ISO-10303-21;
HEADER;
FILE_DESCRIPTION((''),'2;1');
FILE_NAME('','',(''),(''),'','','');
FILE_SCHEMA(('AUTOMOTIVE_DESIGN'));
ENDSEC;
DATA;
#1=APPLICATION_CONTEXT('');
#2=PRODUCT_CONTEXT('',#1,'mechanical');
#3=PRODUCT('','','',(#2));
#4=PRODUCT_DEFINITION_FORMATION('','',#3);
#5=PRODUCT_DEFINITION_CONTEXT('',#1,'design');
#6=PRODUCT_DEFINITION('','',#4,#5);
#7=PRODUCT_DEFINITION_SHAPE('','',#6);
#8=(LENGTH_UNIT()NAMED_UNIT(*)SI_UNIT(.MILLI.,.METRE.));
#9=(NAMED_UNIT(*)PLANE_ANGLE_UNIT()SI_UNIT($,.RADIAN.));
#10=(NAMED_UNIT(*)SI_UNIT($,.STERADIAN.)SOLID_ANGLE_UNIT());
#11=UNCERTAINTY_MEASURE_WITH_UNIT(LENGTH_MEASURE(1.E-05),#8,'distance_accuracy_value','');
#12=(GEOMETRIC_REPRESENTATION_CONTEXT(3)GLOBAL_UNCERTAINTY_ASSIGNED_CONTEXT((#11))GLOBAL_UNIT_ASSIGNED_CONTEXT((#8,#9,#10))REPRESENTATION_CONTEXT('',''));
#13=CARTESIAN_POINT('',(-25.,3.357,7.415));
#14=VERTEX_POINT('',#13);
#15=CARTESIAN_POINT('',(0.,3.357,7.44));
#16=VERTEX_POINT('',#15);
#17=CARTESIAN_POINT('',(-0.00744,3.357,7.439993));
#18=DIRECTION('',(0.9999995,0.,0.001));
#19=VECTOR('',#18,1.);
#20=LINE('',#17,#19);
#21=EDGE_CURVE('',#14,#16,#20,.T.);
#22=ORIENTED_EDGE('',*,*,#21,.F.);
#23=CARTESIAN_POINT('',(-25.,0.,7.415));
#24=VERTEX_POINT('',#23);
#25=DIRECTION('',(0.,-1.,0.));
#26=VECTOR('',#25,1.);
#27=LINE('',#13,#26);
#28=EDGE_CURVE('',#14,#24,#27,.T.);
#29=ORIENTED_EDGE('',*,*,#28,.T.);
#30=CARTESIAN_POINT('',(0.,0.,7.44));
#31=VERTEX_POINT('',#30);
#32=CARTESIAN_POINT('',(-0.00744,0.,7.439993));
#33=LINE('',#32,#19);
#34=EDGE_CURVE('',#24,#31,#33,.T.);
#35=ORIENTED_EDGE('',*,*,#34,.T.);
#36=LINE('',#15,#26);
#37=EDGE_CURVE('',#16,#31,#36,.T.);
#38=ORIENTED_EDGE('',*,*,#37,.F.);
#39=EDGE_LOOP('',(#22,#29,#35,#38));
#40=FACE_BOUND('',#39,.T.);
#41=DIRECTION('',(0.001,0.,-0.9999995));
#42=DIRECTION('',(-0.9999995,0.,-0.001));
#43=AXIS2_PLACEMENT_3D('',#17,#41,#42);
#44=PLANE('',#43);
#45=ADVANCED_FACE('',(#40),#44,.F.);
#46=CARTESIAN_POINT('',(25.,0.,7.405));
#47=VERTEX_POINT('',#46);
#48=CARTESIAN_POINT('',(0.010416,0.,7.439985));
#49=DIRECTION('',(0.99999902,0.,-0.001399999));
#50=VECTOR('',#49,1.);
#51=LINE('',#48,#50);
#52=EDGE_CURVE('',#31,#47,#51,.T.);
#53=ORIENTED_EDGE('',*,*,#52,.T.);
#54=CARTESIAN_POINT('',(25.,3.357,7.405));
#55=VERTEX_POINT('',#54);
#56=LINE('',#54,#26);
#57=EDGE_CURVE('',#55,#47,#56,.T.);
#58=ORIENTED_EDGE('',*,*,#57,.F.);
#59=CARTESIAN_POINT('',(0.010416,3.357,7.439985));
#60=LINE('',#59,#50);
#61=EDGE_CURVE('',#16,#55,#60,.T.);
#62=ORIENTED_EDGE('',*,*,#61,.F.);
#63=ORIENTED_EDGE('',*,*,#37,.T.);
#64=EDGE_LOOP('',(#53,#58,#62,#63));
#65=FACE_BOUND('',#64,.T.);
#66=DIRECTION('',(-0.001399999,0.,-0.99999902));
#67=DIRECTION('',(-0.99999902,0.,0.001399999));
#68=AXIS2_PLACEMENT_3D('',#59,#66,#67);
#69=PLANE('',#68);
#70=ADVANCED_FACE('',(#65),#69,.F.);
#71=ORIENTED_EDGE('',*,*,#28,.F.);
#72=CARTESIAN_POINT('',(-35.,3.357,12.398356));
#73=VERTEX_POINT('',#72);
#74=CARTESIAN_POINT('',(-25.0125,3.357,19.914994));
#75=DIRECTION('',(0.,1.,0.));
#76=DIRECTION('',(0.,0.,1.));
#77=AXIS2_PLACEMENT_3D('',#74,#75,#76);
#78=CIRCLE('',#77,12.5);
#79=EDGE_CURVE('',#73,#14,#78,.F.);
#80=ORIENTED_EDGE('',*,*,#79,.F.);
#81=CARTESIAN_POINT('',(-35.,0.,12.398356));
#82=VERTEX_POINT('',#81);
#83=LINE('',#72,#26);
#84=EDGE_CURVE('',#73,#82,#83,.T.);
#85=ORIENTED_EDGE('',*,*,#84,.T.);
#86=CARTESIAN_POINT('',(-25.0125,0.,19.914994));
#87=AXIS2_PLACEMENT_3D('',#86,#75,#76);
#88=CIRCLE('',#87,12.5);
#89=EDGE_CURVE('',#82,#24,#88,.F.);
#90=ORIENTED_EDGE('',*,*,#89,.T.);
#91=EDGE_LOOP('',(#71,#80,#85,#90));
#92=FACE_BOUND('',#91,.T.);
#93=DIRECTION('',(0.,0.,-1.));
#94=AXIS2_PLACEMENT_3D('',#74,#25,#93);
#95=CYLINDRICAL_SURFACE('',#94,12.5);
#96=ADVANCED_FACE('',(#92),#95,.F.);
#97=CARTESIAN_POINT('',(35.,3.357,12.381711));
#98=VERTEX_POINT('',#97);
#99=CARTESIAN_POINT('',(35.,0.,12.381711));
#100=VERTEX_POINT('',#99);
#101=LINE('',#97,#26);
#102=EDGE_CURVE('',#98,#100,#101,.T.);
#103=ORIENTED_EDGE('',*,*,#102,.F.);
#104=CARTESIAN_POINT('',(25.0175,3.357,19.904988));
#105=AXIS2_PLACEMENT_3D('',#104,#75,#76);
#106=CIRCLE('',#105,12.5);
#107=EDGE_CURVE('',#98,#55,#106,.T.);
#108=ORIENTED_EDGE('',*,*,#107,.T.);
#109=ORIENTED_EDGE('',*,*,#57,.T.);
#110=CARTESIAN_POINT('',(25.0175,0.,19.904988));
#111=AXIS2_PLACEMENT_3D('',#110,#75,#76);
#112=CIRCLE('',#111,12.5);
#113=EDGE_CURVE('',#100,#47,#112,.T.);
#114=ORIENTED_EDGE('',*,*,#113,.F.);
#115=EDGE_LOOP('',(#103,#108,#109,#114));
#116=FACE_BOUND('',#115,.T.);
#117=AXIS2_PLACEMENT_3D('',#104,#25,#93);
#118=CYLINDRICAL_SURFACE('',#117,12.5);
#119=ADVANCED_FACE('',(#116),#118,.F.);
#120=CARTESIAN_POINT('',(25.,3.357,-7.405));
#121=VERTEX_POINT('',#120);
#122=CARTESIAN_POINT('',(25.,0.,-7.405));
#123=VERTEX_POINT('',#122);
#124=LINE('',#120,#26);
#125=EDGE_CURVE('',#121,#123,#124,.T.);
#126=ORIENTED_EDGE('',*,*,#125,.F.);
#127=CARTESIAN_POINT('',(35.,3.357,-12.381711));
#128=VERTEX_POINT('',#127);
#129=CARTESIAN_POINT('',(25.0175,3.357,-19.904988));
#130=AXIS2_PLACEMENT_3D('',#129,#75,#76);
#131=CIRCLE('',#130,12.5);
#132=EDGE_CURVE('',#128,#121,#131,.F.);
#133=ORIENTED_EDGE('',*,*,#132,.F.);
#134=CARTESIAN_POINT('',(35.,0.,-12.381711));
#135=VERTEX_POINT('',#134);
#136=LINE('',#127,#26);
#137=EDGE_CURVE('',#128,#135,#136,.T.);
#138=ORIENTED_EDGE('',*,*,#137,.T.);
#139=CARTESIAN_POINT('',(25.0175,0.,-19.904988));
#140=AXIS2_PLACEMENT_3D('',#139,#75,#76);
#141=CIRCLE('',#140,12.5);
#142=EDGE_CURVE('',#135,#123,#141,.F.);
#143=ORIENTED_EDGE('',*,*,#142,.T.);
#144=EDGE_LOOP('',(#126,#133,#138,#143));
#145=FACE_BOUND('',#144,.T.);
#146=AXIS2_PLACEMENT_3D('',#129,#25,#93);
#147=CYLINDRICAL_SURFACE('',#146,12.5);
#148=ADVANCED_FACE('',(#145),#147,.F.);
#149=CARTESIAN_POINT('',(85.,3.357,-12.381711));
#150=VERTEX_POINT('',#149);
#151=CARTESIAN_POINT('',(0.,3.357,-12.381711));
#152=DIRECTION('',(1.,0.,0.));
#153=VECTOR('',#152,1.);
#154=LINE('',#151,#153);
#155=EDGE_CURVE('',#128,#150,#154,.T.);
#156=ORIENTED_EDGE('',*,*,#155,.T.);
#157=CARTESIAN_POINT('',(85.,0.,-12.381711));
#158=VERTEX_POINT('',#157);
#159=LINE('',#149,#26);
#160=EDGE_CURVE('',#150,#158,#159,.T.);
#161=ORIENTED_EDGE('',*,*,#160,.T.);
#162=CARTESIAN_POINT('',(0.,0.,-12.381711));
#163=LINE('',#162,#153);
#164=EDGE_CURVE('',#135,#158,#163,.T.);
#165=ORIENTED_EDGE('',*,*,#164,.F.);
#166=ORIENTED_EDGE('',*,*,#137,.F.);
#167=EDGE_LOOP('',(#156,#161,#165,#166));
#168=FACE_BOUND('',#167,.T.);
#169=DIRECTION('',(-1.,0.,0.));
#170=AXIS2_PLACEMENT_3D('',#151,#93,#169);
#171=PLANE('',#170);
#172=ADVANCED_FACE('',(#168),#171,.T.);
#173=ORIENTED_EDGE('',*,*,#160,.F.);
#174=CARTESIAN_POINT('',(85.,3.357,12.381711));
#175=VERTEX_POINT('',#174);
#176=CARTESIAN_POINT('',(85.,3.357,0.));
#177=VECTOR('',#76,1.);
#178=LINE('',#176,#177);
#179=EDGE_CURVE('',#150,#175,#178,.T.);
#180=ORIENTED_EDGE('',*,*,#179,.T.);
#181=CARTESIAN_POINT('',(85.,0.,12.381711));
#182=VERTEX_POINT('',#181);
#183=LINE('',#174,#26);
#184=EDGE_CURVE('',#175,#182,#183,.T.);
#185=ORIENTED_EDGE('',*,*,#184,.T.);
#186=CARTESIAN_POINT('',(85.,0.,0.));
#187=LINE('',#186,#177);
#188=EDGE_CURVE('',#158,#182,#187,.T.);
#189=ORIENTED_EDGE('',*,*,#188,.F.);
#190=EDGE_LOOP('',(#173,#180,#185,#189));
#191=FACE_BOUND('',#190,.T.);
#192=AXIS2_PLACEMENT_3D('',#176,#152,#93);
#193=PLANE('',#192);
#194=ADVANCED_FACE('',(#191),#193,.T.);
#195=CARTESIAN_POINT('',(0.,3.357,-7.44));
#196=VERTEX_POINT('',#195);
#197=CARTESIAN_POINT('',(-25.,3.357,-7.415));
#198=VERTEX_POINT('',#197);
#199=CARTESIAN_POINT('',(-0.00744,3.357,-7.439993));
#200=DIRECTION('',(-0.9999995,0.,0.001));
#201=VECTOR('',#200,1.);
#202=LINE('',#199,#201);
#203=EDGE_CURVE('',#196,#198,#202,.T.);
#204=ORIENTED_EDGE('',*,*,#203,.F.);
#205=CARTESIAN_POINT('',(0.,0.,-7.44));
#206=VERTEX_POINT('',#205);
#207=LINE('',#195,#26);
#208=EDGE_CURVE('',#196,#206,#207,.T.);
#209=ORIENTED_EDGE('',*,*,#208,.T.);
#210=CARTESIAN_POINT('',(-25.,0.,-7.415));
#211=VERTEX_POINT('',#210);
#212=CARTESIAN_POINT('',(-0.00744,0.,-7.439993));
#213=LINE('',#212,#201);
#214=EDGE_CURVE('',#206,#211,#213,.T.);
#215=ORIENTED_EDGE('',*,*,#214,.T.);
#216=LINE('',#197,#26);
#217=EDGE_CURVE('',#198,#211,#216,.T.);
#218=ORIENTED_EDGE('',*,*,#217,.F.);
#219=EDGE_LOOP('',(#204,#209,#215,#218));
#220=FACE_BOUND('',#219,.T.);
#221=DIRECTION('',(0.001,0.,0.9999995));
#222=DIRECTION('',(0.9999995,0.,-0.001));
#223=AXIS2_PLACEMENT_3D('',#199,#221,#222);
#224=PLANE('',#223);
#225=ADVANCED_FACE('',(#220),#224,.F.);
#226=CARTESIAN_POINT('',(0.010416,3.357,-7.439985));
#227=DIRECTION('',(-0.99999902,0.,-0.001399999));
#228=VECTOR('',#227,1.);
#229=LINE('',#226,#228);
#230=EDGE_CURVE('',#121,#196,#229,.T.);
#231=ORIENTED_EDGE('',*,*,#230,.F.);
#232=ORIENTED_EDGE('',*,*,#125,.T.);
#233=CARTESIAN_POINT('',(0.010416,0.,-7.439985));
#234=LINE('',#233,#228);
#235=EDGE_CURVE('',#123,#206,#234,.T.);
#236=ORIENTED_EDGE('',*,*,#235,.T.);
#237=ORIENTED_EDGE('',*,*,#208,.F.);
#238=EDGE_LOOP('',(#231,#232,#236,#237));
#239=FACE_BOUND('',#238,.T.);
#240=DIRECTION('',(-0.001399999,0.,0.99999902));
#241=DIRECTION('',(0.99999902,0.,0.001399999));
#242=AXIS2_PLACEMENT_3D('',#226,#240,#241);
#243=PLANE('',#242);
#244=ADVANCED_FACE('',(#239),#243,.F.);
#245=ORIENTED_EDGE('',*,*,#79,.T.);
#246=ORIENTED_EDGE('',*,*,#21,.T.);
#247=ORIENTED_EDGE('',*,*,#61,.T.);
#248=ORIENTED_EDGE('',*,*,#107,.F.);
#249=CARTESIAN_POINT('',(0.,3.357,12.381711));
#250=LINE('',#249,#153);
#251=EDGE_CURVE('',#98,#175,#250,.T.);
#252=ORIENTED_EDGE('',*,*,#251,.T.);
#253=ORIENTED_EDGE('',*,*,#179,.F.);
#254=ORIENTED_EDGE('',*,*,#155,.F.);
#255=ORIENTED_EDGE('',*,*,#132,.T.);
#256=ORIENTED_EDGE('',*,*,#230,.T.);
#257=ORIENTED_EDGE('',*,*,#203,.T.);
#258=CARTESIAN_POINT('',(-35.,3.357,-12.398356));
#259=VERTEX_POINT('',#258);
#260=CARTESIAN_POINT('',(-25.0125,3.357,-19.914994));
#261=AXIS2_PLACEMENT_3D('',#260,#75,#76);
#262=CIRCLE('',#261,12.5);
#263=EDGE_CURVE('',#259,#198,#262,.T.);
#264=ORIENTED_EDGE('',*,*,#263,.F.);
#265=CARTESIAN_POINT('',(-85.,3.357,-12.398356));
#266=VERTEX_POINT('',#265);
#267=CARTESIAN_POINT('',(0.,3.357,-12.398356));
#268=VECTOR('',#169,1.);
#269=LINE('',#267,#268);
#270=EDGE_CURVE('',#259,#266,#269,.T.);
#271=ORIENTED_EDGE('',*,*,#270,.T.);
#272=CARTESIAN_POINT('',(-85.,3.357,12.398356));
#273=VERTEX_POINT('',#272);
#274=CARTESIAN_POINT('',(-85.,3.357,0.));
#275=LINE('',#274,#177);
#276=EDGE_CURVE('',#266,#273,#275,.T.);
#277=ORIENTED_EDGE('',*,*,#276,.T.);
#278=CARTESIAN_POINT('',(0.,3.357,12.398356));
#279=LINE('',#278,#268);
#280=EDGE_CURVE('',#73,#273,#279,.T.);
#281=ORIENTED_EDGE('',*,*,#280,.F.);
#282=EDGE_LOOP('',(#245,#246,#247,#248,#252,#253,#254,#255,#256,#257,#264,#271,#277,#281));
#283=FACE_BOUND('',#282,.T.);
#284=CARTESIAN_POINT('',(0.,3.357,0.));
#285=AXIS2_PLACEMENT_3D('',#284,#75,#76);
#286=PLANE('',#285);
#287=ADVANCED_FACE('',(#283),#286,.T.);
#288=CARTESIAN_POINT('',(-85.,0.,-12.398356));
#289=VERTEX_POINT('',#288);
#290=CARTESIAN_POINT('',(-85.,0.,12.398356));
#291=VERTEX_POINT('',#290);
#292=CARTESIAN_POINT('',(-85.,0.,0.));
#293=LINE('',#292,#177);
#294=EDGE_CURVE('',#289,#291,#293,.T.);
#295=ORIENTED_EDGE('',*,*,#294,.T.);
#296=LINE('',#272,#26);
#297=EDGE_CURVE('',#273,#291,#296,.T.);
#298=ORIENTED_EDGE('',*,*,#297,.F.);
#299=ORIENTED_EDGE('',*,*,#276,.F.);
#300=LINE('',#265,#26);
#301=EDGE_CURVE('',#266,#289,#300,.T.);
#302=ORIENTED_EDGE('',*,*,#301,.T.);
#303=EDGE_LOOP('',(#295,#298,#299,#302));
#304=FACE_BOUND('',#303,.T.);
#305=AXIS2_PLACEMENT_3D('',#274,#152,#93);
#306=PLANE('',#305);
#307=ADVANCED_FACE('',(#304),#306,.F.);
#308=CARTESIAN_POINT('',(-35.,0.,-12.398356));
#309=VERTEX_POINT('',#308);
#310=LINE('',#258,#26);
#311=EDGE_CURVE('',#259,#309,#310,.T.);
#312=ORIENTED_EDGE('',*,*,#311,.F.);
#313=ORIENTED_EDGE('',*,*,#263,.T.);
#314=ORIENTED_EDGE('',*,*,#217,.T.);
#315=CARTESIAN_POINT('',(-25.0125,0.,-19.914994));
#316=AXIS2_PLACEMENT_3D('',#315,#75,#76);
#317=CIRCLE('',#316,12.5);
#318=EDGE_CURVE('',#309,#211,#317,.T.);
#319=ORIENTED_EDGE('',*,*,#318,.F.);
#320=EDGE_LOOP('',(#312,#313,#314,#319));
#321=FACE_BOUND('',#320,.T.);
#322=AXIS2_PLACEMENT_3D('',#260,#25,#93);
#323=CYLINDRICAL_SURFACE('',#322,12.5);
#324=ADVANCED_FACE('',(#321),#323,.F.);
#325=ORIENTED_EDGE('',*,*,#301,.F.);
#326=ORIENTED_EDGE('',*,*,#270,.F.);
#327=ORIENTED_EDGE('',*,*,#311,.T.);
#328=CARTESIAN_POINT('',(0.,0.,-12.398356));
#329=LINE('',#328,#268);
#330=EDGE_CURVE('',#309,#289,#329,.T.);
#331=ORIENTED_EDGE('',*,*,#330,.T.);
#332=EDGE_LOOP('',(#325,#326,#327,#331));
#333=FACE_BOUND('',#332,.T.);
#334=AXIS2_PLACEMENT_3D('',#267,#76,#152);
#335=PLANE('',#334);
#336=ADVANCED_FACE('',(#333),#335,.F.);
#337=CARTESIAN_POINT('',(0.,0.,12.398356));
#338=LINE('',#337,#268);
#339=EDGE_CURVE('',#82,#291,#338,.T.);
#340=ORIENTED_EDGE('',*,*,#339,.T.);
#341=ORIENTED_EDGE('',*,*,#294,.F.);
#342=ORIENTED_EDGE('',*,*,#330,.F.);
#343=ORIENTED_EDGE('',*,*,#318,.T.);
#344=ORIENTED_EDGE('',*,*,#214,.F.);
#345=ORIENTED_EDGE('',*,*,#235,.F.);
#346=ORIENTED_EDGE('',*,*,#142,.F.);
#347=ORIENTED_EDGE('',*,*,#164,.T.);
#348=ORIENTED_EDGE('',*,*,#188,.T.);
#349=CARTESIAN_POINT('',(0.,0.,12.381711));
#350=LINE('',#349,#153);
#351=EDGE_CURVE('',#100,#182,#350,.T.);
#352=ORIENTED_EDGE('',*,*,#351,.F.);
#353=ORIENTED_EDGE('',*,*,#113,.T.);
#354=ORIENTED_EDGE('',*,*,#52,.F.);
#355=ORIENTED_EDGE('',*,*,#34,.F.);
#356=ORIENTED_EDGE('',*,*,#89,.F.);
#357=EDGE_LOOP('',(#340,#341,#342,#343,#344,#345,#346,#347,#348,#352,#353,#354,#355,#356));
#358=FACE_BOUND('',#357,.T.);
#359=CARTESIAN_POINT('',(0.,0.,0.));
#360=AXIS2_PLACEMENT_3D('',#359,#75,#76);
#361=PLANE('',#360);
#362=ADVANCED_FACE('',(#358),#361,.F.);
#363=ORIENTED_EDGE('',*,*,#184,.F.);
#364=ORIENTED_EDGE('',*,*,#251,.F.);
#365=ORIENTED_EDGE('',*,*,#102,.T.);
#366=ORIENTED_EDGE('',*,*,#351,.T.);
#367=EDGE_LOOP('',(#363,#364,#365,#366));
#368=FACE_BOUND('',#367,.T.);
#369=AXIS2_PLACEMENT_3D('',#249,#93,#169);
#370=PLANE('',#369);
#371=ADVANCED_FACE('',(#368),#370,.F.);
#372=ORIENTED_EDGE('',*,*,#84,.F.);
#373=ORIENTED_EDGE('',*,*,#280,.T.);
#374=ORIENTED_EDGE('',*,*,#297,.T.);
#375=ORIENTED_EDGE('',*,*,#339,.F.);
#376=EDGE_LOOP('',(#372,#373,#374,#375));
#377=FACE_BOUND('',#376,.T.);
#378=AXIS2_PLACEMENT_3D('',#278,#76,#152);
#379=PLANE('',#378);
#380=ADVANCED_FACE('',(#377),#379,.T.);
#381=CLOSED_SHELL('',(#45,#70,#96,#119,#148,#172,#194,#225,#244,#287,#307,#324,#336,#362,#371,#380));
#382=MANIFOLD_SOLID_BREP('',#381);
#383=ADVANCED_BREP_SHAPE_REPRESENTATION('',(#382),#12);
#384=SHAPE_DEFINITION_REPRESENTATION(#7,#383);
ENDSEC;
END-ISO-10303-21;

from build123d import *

# Parameters (mm, degrees)
BOSS_EXTRUDE2_DEPTH = 3.357


with BuildPart() as part:
    # Sketch1 → Boss-Extrude2 (new body)
    with BuildSketch(Plane(origin=(0, 0, 0), x_dir=(1, 0, 0), z_dir=(0, 1, 0))):
        with BuildLine():
            Line((35, 12.381710977), (85, 12.381710977))
            Line((85, 12.381710977), (85, -12.381710977))
            Line((85, -12.381710977), (35, -12.381710977))
            ThreePointArc((35, -12.381710977), (30.586810484, -8.714242442), (25, -7.405))
            Line((25, -7.405), (0, -7.44))
            Line((0, -7.44), (-25, -7.415))
            ThreePointArc((-25, -7.415), (-30.587768191, -8.727215395), (-35, -12.398355963))
            Line((-35, -12.398355963), (-85, -12.398355963))
            Line((-85, -12.398355963), (-85, 12.398355963))
            Line((-85, 12.398355963), (-35, 12.398355963))
            ThreePointArc((-35, 12.398355963), (-30.587768191, 8.727215395), (-25, 7.415))
            Line((-25, 7.415), (0, 7.44))
            Line((0, 7.44), (25, 7.405))
            ThreePointArc((25, 7.405), (30.586810484, 8.714242442), (35, 12.381710977))
        make_face()
    extrude(amount=BOSS_EXTRUDE2_DEPTH)


solid = part.part
